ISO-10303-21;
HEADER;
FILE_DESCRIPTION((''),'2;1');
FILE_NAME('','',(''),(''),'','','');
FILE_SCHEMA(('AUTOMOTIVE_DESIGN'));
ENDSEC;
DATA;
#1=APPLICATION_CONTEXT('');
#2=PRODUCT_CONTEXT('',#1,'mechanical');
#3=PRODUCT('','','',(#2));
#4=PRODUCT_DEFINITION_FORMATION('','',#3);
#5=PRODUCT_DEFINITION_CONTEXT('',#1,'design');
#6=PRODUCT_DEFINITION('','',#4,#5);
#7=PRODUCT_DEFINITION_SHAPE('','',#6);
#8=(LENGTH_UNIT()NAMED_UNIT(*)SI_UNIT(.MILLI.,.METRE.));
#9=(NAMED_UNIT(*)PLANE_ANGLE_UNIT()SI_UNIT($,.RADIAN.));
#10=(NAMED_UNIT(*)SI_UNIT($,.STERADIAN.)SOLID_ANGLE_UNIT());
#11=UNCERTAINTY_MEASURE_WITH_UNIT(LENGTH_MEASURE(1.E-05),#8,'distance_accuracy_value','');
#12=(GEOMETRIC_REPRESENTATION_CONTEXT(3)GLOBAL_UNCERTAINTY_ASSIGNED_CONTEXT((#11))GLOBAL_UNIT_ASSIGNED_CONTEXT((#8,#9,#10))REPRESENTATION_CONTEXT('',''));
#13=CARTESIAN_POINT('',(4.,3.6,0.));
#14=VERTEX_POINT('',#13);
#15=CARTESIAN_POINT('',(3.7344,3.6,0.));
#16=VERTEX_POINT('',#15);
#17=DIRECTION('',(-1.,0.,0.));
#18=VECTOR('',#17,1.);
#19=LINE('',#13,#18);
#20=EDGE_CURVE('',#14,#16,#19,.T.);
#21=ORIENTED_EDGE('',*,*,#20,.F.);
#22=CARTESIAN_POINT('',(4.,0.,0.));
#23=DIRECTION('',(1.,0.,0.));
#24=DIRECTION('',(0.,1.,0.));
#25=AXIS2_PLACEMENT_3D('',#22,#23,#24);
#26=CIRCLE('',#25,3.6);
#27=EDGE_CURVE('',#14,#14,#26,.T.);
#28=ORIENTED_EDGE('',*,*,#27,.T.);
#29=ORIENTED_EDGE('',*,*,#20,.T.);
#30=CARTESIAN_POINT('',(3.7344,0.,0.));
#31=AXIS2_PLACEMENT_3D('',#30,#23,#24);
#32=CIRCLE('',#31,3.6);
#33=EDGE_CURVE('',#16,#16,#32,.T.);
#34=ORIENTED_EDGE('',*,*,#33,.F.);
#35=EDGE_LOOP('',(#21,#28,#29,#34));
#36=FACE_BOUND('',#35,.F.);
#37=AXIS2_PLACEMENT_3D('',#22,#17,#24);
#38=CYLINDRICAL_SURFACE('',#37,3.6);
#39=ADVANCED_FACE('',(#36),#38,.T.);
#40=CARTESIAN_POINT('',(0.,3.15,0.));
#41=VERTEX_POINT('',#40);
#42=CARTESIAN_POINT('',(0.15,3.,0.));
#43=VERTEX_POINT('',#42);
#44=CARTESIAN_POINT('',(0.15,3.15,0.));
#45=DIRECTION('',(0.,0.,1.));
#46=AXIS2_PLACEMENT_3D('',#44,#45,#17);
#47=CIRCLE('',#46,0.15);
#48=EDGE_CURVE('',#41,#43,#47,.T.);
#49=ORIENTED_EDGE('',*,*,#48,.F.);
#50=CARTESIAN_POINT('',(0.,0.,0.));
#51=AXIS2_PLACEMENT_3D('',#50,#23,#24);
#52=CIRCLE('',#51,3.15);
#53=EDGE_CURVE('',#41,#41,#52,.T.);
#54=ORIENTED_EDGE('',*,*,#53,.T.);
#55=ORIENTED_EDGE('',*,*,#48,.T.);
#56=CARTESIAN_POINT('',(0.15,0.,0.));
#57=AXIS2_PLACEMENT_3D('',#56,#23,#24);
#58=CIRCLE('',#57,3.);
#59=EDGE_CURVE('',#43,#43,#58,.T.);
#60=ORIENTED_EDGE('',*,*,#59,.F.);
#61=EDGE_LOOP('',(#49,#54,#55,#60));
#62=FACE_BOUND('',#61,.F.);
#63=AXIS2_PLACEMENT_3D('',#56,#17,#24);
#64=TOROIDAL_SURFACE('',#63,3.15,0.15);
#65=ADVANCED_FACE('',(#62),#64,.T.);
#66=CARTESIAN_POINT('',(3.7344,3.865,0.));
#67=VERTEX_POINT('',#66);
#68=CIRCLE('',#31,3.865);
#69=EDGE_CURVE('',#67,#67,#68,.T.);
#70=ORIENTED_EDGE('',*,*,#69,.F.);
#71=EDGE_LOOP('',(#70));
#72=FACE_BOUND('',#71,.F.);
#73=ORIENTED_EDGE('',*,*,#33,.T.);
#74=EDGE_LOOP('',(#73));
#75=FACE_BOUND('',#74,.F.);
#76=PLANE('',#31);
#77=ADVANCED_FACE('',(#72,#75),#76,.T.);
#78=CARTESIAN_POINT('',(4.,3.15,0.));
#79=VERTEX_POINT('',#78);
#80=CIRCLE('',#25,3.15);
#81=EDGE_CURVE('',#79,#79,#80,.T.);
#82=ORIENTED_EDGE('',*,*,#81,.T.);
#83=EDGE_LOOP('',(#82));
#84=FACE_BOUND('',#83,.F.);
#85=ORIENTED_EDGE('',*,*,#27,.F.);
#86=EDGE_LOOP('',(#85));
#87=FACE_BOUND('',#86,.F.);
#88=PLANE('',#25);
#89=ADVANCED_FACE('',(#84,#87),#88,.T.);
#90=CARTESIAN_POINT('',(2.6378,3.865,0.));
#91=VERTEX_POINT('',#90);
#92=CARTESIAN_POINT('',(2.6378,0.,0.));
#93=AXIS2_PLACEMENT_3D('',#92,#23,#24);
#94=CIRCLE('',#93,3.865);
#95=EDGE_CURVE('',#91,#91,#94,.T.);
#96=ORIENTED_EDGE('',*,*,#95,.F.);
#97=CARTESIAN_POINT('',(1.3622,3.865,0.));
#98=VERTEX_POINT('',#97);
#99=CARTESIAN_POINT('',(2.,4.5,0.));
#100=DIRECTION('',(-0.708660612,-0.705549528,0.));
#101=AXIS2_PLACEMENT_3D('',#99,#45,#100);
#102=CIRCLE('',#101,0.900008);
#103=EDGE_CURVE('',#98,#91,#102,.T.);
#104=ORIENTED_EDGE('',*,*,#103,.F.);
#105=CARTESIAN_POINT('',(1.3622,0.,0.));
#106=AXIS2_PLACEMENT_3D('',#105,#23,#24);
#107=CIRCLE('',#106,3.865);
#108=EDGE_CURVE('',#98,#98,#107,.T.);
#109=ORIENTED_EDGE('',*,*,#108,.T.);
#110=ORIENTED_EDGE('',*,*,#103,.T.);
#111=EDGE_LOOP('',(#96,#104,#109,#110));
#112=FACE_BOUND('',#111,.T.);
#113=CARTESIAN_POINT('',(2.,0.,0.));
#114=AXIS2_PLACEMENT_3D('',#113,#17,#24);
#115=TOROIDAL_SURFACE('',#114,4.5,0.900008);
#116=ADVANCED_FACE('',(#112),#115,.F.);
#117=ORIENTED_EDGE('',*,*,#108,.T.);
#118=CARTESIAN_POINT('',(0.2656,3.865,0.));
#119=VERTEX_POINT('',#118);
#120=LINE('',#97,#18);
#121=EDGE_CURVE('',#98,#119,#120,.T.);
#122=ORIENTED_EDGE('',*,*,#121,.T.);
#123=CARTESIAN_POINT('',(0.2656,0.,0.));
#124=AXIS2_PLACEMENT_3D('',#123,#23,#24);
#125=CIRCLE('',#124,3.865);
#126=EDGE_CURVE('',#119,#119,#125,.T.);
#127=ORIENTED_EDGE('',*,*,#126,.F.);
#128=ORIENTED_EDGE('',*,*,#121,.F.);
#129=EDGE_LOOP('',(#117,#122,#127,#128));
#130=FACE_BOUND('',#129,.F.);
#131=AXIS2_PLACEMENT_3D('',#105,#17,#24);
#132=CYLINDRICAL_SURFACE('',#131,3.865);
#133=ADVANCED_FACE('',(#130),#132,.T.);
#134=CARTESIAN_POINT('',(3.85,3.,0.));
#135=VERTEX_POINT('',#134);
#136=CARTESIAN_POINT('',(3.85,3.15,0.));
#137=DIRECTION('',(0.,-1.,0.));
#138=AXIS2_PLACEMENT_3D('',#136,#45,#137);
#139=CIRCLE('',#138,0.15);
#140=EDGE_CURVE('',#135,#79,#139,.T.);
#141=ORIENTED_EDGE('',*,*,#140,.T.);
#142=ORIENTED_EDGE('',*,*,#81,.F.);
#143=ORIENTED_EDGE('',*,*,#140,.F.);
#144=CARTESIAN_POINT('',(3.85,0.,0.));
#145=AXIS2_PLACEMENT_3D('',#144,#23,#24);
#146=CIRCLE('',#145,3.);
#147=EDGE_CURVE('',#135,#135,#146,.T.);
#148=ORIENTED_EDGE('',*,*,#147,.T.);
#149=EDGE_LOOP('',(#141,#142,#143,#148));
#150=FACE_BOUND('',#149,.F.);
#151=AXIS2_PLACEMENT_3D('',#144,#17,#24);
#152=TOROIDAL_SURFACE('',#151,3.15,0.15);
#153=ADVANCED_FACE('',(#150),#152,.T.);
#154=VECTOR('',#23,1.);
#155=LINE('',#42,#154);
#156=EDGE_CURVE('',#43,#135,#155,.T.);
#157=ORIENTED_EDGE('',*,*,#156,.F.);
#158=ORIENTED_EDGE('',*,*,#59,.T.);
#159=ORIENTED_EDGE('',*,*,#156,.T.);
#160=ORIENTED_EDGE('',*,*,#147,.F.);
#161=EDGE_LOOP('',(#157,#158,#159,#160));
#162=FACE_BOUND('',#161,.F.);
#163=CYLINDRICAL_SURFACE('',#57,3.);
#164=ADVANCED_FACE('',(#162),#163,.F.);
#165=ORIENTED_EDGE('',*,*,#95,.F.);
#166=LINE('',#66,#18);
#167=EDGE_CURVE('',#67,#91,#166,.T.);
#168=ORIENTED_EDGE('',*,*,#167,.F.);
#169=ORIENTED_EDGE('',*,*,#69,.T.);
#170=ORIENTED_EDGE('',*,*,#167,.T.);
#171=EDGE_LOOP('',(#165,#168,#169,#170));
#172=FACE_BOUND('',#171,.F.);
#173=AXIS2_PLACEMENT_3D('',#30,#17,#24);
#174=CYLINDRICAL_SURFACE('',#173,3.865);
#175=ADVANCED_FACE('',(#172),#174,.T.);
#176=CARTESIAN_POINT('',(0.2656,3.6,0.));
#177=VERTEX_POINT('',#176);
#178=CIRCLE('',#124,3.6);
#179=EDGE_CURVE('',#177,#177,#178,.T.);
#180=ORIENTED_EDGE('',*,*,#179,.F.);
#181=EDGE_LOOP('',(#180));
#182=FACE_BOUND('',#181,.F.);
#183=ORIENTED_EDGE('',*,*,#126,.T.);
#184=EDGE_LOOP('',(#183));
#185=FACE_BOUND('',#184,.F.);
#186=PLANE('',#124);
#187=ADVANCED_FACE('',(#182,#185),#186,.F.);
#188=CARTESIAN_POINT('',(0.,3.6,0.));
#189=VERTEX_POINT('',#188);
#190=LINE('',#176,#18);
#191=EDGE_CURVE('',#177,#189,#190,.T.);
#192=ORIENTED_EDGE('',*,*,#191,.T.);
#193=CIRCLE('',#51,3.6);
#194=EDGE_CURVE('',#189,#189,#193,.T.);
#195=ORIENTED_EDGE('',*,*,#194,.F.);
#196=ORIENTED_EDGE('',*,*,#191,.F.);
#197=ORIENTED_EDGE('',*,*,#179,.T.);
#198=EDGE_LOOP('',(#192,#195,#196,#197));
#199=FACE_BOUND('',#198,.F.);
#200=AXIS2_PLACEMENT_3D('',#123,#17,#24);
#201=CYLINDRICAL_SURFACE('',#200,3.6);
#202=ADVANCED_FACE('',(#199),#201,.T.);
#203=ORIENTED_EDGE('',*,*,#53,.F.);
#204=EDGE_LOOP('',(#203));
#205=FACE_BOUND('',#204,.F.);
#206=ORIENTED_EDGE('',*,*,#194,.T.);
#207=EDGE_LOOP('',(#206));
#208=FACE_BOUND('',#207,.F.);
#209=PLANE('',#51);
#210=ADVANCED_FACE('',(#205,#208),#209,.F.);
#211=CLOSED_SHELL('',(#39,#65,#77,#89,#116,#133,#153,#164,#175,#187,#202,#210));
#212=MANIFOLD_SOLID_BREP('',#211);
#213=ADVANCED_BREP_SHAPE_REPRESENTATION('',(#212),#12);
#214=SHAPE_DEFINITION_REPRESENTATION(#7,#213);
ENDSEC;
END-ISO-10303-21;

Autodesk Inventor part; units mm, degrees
sketch "Sketch_2" plane through (0, 0, 0) normal (0, 0, 1) x (1, 0, 0)
  line L0 (4, 0) -> (0, 0)
  arc A0 (0, 3.15) -> (0.15, 3) centre (0.15, 3.15) ccw
  line L1 (0.15, 3) -> (3.85, 3)
  arc A1 (3.85, 3) -> (4, 3.15) centre (3.85, 3.15) ccw
  line L2 (4, 3.15) -> (4, 3.6)
  line L3 (4, 3.6) -> (3.7344, 3.6)
  line L4 (3.7344, 3.6) -> (3.7344, 3.865)
  line L5 (3.7344, 3.865) -> (2.6378, 3.865)
  arc A2 (1.3622, 3.865) -> (2.6378, 3.865) centre (2, 4.5) ccw
  line L6 (1.3622, 3.865) -> (0.2656, 3.865)
  line L7 (0.2656, 3.865) -> (0.2656, 3.6)
  line L8 (0.2656, 3.6) -> (0, 3.6)
  line L9 (0, 3.6) -> (0, 3.15)
revolve "Revolution1" add sketch "Sketch_2" angle 360 about axis through (4, 0, 0) along (1, 0, 0)
ref_plane "ip_st_ir_1_1_XY" through (2, 4.5, 0) normal (1, 0, 0) x (0, 0, -1)
ref_plane "ip_st_ir_1_1_YZ" through (2, 4.5, 0) normal (0, 0, -1) x (0, 1, 0)
ref_plane "ip_st_ir_1_1_ZX" through (2, 4.5, 0) normal (0, 1, 0) x (1, 0, 0)
ref_plane "ip_st_ir_1_10_XY" through (2, 0, -4.5) normal (1, 0, 0) x (0, 0, -1)
ref_plane "ip_st_ir_1_10_YZ" through (2, 0, -4.5) normal (0, 0, -1) x (0, 1, 0)
ref_plane "ip_st_ir_1_10_ZX" through (2, 0, -4.5) normal (0, 1, 0) x (1, 0, 0)
ref_plane "ip_st_ir_1_11_XY" through (2, 2.25, -3.8971) normal (1, 0, 0) x (0, 0, -1)
ref_plane "ip_st_ir_1_11_YZ" through (2, 2.25, -3.8971) normal (0, 0, -1) x (0, 1, 0)
ref_plane "ip_st_ir_1_11_ZX" through (2, 2.25, -3.8971) normal (0, 1, 0) x (1, 0, 0)
ref_plane "ip_st_ir_1_12_XY" through (2, 3.8971, -2.25) normal (1, 0, 0) x (0, 0, -1)
ref_plane "ip_st_ir_1_12_YZ" through (2, 3.8971, -2.25) normal (0, 0, -1) x (0, 1, 0)
ref_plane "ip_st_ir_1_12_ZX" through (2, 3.8971, -2.25) normal (0, 1, 0) x (1, 0, 0)
ref_plane "ip_st_ir_1_2_XY" through (2, 3.8971, 2.25) normal (1, 0, 0) x (0, 0, -1)
ref_plane "ip_st_ir_1_2_YZ" through (2, 3.8971, 2.25) normal (0, 0, -1) x (0, 1, 0)
ref_plane "ip_st_ir_1_2_ZX" through (2, 3.8971, 2.25) normal (0, 1, 0) x (1, 0, 0)
ref_plane "ip_st_ir_1_3_XY" through (2, 2.25, 3.8971) normal (1, 0, 0) x (0, 0, -1)
ref_plane "ip_st_ir_1_3_YZ" through (2, 2.25, 3.8971) normal (0, 0, -1) x (0, 1, 0)
ref_plane "ip_st_ir_1_3_ZX" through (2, 2.25, 3.8971) normal (0, 1, 0) x (1, 0, 0)
ref_plane "ip_st_ir_1_4_XY" through (2, 0, 4.5) normal (1, 0, 0) x (0, 0, -1)
ref_plane "ip_st_ir_1_4_YZ" through (2, 0, 4.5) normal (0, 0, -1) x (0, 1, 0)
ref_plane "ip_st_ir_1_4_ZX" through (2, 0, 4.5) normal (0, 1, 0) x (1, 0, 0)
ref_plane "ip_st_ir_1_5_XY" through (2, -2.25, 3.8971) normal (1, 0, 0) x (0, 0, -1)
ref_plane "ip_st_ir_1_5_YZ" through (2, -2.25, 3.8971) normal (0, 0, -1) x (0, 1, 0)
ref_plane "ip_st_ir_1_5_ZX" through (2, -2.25, 3.8971) normal (0, 1, 0) x (1, 0, 0)
ref_plane "ip_st_ir_1_6_XY" through (2, -3.8971, 2.25) normal (1, 0, 0) x (0, 0, -1)
ref_plane "ip_st_ir_1_6_YZ" through (2, -3.8971, 2.25) normal (0, 0, -1) x (0, 1, 0)
ref_plane "ip_st_ir_1_6_ZX" through (2, -3.8971, 2.25) normal (0, 1, 0) x (1, 0, 0)
ref_plane "ip_st_ir_1_7_XY" through (2, -4.5, 0) normal (1, 0, 0) x (0, 0, -1)
ref_plane "ip_st_ir_1_7_YZ" through (2, -4.5, 0) normal (0, 0, -1) x (0, 1, 0)
ref_plane "ip_st_ir_1_7_ZX" through (2, -4.5, 0) normal (0, 1, 0) x (1, 0, 0)
ref_plane "ip_st_ir_1_8_XY" through (2, -3.8971, -2.25) normal (1, 0, 0) x (0, 0, -1)
ref_plane "ip_st_ir_1_8_YZ" through (2, -3.8971, -2.25) normal (0, 0, -1) x (0, 1, 0)
ref_plane "ip_st_ir_1_8_ZX" through (2, -3.8971, -2.25) normal (0, 1, 0) x (1, 0, 0)
ref_plane "ip_st_ir_1_9_XY" through (2, -2.25, -3.8971) normal (1, 0, 0) x (0, 0, -1)
ref_plane "ip_st_ir_1_9_YZ" through (2, -2.25, -3.8971) normal (0, 0, -1) x (0, 1, 0)
ref_plane "ip_st_ir_1_9_ZX" through (2, -2.25, -3.8971) normal (0, 1, 0) x (1, 0, 0)
ref_plane "ip_st_ir_1a_XY" through (0, 0, 0) normal (1, 0, 0) x (0, 0, -1)
ref_plane "ip_st_ir_1a_YZ" through (0, 0, 0) normal (0, 0, -1) x (0, 1, 0)
ref_plane "ip_st_ir_1a_ZX" through (0, 0, 0) normal (0, 1, 0) x (1, 0, 0)
ref_plane "ip_st_ir_2a_XY" through (0.2656, 0, 0) normal (1, 0, 0) x (0, 0, -1)
ref_plane "ip_st_ir_2a_YZ" through (0.2656, 0, 0) normal (0, 0, -1) x (0, 1, 0)
ref_plane "ip_st_ir_2a_ZX" through (0.2656, 0, 0) normal (0, 1, 0) x (1, 0, 0)
properties part number "MR126ZZ Inner Ring"
